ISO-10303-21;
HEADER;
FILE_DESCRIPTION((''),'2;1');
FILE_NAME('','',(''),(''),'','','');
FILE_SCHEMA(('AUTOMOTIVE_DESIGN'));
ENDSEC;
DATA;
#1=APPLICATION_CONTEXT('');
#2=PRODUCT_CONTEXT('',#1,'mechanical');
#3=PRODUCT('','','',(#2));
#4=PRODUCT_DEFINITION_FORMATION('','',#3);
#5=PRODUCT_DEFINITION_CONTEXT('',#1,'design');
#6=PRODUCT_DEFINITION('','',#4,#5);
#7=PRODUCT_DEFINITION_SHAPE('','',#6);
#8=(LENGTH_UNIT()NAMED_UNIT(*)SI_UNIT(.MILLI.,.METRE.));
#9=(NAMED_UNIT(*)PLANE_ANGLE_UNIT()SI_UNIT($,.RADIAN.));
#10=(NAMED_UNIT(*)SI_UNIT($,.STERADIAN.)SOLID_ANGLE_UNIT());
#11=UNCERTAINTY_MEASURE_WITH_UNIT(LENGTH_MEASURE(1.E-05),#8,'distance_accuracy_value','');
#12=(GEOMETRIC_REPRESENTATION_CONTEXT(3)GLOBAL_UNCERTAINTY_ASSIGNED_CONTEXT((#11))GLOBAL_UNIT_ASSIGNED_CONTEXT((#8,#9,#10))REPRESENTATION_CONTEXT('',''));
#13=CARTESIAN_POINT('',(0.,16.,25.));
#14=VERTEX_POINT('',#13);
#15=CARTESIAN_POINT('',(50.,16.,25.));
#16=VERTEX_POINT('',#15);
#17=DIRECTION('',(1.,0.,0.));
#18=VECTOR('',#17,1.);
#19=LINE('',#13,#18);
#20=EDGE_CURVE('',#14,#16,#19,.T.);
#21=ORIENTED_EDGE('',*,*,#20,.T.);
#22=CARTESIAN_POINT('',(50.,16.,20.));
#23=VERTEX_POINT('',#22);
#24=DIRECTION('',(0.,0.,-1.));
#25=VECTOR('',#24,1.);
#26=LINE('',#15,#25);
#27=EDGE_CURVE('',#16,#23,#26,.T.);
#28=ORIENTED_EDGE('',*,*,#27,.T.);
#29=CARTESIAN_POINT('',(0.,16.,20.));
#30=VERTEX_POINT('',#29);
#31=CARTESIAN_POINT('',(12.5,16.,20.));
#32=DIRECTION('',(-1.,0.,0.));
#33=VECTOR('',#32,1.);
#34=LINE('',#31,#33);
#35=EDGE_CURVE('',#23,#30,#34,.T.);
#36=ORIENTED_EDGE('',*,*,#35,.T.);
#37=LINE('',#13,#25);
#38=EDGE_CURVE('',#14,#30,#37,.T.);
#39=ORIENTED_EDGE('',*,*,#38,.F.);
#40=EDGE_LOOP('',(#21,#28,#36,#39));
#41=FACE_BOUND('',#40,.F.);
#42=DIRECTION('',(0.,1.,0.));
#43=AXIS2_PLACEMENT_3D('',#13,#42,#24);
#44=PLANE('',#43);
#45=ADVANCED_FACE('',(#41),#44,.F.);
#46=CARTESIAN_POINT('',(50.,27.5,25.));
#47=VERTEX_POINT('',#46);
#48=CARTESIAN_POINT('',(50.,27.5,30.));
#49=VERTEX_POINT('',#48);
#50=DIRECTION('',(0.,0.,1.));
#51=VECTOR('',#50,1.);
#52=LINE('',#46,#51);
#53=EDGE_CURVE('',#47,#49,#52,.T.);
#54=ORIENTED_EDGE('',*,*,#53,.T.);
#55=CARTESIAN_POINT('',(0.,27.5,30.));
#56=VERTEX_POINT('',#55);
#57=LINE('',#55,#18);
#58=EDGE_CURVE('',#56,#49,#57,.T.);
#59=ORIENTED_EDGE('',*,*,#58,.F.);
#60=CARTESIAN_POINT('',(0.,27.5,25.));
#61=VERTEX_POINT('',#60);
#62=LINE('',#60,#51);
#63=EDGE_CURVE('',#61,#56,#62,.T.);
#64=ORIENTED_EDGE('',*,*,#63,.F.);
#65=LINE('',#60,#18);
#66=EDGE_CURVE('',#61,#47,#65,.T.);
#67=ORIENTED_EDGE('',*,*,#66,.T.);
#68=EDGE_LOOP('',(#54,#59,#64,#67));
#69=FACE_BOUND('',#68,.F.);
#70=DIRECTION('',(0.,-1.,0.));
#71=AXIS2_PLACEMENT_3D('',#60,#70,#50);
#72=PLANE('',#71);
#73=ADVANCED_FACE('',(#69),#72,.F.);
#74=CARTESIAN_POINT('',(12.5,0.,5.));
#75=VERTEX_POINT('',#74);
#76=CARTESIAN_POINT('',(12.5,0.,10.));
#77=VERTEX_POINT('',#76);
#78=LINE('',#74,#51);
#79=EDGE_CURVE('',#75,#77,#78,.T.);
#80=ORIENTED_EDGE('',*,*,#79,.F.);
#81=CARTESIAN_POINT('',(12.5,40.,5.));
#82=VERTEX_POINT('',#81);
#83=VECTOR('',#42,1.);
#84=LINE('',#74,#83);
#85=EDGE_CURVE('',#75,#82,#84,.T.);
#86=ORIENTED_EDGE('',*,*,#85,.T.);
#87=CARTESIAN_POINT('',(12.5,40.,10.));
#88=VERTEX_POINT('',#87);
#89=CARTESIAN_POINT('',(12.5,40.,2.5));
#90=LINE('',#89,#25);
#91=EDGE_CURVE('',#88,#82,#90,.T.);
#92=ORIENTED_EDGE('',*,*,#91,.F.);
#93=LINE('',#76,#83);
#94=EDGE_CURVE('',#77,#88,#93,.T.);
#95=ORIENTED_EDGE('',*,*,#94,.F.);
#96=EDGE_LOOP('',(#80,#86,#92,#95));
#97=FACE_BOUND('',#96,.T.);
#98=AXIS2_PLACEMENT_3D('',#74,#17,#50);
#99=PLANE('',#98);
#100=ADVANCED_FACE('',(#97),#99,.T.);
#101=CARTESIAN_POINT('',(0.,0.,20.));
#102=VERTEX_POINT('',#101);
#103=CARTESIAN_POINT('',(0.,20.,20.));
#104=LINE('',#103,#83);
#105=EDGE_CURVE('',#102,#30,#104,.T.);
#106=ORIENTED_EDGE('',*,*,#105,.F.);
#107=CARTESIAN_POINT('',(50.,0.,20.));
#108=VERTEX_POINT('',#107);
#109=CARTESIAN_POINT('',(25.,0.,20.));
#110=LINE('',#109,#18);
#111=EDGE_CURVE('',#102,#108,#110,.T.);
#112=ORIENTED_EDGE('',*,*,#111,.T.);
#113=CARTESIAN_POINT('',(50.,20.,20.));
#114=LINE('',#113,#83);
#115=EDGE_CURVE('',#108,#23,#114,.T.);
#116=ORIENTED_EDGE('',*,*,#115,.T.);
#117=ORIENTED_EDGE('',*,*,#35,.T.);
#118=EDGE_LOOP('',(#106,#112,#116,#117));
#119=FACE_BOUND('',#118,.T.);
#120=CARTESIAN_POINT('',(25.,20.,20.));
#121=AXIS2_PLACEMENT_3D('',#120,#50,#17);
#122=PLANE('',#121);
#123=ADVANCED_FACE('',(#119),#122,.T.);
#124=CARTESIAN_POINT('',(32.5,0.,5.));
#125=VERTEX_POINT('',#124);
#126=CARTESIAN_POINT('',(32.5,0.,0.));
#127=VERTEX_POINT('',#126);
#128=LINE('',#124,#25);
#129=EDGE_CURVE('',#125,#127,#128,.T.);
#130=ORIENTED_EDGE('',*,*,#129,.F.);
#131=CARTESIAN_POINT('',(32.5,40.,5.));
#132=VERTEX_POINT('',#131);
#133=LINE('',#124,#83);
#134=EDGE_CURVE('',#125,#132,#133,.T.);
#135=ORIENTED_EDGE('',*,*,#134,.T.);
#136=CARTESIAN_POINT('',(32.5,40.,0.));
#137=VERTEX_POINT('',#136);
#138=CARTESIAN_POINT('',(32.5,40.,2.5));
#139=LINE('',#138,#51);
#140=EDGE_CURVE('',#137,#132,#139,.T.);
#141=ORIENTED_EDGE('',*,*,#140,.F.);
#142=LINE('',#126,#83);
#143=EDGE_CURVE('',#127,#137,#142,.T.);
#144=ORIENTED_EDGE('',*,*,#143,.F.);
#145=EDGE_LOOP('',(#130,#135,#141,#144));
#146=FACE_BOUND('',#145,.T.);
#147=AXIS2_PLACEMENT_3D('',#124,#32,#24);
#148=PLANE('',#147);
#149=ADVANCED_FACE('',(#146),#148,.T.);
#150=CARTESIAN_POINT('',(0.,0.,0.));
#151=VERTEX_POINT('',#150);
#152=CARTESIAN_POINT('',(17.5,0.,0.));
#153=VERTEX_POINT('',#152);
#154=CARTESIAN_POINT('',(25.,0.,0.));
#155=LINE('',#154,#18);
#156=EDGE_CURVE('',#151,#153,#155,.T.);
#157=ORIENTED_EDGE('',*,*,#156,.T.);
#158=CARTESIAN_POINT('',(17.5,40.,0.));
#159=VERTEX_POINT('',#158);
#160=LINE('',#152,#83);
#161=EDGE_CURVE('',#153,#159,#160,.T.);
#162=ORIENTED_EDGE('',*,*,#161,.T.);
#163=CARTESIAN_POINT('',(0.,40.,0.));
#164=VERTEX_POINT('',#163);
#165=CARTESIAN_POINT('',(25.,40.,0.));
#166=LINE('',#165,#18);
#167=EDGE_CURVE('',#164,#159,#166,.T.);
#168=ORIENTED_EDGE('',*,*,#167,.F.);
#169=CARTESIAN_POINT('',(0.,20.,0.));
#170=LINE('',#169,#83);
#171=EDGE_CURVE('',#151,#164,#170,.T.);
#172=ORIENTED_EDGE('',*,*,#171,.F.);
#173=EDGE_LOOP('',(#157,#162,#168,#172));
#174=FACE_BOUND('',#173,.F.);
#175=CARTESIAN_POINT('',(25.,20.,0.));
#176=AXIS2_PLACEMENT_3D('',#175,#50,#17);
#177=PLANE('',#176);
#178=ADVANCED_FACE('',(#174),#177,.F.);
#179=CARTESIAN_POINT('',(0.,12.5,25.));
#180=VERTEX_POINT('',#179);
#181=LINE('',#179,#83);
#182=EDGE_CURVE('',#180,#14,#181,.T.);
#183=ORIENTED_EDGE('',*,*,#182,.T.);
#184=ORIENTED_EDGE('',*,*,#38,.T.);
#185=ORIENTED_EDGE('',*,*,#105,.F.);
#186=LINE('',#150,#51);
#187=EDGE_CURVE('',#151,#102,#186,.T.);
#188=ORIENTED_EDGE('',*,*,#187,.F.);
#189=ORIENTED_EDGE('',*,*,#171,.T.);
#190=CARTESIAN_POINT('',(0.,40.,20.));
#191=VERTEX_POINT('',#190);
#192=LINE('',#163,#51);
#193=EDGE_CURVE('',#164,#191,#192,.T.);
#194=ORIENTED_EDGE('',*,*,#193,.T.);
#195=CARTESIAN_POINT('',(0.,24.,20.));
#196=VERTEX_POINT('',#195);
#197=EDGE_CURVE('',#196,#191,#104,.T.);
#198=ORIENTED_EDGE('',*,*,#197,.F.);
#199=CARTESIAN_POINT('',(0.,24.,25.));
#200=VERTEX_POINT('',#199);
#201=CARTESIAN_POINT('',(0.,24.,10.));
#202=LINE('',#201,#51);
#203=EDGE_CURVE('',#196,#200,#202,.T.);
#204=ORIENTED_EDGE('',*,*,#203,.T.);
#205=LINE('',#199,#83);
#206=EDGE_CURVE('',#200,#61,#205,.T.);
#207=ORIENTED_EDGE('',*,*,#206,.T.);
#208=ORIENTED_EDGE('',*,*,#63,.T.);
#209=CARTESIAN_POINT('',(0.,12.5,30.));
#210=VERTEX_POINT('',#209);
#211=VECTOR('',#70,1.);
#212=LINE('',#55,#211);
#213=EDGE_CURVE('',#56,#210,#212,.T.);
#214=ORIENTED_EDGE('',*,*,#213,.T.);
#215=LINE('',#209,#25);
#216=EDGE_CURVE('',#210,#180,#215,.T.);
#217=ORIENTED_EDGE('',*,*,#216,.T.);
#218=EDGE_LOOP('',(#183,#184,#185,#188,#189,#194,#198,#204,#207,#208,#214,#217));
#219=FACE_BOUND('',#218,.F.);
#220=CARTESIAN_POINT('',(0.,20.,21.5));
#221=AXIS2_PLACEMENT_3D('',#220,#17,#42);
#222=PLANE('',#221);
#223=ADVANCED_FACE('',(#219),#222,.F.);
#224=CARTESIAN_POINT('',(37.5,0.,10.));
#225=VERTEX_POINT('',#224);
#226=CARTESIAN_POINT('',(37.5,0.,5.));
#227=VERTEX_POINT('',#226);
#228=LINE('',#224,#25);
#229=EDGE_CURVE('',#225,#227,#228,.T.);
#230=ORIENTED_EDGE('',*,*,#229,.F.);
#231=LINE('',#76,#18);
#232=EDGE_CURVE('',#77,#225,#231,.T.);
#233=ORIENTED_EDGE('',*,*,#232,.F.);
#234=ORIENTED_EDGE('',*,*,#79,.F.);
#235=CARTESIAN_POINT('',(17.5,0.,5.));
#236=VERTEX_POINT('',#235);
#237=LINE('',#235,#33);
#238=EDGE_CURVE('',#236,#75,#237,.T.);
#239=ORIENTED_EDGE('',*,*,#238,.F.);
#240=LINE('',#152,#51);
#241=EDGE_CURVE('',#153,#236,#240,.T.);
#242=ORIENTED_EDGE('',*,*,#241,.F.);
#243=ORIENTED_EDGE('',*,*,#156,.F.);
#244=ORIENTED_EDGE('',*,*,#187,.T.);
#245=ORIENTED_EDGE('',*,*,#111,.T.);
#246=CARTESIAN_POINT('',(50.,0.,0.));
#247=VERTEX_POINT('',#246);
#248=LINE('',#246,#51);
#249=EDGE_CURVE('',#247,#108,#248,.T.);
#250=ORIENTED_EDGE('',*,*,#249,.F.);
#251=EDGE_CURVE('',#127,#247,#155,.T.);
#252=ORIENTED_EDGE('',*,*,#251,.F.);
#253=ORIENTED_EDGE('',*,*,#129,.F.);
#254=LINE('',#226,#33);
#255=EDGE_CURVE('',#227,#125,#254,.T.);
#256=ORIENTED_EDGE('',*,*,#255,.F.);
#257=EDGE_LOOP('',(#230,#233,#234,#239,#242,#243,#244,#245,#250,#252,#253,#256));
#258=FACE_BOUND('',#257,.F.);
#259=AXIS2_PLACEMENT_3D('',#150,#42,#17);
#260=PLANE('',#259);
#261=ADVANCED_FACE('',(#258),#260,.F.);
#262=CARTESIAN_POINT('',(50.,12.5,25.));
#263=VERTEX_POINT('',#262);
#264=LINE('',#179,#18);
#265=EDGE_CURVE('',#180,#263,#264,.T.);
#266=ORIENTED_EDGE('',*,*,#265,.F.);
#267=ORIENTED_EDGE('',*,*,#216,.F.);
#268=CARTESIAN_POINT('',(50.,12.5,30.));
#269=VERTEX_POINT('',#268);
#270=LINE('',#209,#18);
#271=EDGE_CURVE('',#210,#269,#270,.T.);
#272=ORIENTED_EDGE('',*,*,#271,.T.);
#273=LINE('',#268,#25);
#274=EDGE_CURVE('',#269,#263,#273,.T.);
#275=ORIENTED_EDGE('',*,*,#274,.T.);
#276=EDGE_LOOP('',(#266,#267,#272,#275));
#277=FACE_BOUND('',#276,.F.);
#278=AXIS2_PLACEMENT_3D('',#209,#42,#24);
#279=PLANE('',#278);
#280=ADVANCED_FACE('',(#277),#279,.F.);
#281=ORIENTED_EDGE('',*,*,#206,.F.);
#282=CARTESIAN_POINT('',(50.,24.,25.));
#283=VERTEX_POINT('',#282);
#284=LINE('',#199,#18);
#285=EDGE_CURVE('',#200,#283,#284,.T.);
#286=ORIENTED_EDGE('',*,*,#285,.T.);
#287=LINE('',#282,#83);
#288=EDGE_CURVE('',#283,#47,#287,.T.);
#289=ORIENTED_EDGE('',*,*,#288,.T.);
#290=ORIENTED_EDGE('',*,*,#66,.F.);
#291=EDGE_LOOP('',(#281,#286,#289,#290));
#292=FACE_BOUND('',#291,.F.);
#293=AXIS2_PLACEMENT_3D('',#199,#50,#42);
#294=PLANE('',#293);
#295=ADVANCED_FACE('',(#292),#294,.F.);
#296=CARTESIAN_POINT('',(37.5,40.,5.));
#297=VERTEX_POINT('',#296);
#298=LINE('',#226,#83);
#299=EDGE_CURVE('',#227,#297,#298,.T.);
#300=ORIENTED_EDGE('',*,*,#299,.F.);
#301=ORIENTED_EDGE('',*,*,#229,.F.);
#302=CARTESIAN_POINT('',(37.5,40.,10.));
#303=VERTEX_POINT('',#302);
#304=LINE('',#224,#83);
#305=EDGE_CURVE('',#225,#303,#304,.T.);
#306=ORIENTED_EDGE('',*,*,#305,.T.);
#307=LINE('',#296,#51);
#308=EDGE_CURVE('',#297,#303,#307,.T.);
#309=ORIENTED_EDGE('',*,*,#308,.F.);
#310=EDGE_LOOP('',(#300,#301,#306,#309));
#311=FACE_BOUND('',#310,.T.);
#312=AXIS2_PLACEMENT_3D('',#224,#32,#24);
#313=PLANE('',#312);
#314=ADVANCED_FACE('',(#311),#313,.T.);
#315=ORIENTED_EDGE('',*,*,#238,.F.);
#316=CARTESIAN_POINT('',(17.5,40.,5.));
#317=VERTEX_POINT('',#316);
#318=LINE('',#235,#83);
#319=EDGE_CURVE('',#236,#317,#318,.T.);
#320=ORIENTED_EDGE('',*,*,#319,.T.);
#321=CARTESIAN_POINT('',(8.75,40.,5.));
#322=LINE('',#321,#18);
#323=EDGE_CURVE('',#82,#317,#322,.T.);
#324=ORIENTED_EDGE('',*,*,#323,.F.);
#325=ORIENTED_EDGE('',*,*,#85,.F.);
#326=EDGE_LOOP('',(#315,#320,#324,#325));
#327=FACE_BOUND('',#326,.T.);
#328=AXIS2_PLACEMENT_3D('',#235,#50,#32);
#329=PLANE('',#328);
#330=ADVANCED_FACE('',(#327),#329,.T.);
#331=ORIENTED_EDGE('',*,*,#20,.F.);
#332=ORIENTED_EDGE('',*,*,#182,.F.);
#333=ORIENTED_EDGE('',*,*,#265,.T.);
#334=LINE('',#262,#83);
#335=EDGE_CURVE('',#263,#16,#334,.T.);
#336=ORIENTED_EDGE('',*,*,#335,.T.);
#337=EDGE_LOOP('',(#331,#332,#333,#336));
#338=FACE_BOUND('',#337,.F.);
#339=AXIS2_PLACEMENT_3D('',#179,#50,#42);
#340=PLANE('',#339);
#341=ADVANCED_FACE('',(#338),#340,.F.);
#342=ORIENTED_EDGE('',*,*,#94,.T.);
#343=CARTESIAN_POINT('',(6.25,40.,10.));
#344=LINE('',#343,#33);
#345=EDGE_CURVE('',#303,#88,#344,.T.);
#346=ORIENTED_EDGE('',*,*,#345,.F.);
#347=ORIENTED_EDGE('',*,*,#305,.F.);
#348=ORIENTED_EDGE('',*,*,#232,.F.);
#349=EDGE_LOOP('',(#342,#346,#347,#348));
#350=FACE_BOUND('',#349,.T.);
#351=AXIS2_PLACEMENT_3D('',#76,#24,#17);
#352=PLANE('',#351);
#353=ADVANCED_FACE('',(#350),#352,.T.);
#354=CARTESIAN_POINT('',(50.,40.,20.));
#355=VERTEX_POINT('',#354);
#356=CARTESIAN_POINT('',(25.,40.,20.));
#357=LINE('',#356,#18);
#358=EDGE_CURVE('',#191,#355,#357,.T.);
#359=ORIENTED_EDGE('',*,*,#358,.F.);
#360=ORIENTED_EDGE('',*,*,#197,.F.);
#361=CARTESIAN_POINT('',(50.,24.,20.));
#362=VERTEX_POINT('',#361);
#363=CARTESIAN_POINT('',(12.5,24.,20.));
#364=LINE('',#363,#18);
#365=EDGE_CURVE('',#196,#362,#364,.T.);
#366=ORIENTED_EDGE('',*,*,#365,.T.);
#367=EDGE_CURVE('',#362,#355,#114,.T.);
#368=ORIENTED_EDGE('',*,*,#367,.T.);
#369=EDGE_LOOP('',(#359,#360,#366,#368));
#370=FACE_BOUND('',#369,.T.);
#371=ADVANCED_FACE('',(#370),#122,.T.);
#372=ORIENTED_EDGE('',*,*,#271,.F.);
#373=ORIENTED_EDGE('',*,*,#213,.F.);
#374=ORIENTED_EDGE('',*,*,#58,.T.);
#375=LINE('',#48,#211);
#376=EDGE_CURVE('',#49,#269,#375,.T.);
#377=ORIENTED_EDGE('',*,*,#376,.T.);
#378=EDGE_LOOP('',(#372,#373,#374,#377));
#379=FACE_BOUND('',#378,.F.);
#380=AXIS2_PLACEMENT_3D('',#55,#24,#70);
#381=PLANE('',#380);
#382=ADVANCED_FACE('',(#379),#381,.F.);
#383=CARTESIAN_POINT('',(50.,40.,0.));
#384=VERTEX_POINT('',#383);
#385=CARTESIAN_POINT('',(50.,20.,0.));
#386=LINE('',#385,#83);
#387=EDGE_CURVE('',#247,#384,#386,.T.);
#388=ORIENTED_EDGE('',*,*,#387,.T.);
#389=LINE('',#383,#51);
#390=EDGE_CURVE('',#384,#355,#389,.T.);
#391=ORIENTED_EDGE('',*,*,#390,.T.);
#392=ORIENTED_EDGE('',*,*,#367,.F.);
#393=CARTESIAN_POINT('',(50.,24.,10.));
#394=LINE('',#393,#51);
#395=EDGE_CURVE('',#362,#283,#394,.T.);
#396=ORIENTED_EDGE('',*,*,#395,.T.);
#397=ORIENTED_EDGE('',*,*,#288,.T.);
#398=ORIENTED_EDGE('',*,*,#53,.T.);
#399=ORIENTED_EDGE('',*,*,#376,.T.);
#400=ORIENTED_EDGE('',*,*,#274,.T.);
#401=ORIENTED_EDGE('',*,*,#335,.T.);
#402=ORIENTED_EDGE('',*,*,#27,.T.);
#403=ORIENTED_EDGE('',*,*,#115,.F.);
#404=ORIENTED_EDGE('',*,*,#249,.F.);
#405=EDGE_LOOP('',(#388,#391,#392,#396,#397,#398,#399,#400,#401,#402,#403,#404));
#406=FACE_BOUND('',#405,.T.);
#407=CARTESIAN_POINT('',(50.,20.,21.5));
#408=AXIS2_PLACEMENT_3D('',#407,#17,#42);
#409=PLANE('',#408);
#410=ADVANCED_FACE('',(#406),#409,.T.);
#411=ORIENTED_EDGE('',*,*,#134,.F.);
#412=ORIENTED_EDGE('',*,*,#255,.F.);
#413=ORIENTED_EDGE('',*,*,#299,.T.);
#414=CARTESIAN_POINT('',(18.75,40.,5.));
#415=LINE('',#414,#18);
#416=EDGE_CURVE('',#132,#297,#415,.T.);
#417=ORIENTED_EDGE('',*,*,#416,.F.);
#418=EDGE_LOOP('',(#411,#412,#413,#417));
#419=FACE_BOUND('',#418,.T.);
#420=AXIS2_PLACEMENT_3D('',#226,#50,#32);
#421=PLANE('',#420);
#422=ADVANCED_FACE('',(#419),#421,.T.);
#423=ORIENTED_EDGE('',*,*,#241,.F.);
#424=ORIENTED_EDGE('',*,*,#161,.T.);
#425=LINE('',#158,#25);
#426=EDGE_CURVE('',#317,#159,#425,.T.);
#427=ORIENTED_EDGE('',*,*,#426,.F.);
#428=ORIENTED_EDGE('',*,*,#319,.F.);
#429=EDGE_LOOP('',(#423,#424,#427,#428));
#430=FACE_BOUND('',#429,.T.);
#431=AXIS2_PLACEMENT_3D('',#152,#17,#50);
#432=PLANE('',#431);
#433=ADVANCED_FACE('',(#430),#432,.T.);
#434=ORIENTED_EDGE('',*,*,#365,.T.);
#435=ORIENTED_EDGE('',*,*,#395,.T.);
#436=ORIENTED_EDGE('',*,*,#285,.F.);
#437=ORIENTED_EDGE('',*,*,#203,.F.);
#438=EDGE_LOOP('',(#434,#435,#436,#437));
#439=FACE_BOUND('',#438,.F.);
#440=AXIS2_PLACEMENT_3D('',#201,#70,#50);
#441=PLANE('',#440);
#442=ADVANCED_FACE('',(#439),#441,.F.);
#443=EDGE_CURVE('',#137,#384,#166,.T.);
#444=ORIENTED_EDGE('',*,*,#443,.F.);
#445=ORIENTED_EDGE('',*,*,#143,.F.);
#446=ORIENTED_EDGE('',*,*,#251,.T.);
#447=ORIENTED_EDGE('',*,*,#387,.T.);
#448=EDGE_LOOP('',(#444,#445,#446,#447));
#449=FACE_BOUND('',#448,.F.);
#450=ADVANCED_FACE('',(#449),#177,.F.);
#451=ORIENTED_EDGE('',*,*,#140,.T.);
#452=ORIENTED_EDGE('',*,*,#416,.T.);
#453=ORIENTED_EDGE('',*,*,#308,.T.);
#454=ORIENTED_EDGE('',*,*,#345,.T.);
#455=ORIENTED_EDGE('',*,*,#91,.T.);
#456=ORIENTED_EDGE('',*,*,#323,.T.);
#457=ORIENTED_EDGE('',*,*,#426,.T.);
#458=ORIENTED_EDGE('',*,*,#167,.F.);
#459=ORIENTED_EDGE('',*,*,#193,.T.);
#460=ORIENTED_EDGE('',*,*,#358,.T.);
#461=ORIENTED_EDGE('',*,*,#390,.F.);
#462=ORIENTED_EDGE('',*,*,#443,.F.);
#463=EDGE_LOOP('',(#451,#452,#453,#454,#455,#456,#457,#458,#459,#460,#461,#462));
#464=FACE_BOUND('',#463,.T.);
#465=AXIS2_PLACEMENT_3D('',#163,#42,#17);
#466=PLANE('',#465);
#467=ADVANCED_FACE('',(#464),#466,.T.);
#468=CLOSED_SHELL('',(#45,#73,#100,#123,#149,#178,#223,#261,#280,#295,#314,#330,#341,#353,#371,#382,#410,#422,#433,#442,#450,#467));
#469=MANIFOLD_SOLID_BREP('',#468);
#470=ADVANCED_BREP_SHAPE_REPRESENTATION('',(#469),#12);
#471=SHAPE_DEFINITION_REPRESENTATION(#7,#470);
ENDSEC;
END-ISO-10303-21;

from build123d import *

# Parameters (mm, degrees)
BOX_W        = 50
BOX_H        = 40
BOX_DEPTH    = 20
POCKET_DEPTH = 40.001
PAD_DEPTH    = 50


with BuildPart() as pocket:
    # Box → Box (new body)
    with BuildSketch(Plane.XY):
        with Locations((25, 20)):
            Rectangle(BOX_W, BOX_H)
    extrude(amount=BOX_DEPTH)

    # Sketch → Pocket (cut, through all)
    with BuildSketch(Plane.XZ):
        Polygon((12.5, 5), (12.5, 10), (37.5, 10), (37.5, 5), (32.5, 5), (32.5, 0), (17.5, 0), (17.5, 5), align=None)
    extrude(amount=-POCKET_DEPTH, mode=Mode.SUBTRACT)


with BuildPart() as pad:
    # Pad base: copy of Pocket
    add(pocket.part)

    # Sketch001 → Pad (new body)
    with BuildSketch(Plane(origin=(0, 0, 0), x_dir=(0, -1, 0), z_dir=(-1, 0, 0))):
        Polygon((-27.5, 30), (-12.5, 30), (-12.5, 25), (-16, 25), (-16, 10), (-24, 10), (-24, 25), (-27.5, 25), align=None)
    extrude(amount=-PAD_DEPTH)


with BuildPart() as fusion:
    # Fusion base: copy of Pocket
    add(pocket.part)

    # Fusion: union Pad
    add(pad.part)


solid = fusion.part
